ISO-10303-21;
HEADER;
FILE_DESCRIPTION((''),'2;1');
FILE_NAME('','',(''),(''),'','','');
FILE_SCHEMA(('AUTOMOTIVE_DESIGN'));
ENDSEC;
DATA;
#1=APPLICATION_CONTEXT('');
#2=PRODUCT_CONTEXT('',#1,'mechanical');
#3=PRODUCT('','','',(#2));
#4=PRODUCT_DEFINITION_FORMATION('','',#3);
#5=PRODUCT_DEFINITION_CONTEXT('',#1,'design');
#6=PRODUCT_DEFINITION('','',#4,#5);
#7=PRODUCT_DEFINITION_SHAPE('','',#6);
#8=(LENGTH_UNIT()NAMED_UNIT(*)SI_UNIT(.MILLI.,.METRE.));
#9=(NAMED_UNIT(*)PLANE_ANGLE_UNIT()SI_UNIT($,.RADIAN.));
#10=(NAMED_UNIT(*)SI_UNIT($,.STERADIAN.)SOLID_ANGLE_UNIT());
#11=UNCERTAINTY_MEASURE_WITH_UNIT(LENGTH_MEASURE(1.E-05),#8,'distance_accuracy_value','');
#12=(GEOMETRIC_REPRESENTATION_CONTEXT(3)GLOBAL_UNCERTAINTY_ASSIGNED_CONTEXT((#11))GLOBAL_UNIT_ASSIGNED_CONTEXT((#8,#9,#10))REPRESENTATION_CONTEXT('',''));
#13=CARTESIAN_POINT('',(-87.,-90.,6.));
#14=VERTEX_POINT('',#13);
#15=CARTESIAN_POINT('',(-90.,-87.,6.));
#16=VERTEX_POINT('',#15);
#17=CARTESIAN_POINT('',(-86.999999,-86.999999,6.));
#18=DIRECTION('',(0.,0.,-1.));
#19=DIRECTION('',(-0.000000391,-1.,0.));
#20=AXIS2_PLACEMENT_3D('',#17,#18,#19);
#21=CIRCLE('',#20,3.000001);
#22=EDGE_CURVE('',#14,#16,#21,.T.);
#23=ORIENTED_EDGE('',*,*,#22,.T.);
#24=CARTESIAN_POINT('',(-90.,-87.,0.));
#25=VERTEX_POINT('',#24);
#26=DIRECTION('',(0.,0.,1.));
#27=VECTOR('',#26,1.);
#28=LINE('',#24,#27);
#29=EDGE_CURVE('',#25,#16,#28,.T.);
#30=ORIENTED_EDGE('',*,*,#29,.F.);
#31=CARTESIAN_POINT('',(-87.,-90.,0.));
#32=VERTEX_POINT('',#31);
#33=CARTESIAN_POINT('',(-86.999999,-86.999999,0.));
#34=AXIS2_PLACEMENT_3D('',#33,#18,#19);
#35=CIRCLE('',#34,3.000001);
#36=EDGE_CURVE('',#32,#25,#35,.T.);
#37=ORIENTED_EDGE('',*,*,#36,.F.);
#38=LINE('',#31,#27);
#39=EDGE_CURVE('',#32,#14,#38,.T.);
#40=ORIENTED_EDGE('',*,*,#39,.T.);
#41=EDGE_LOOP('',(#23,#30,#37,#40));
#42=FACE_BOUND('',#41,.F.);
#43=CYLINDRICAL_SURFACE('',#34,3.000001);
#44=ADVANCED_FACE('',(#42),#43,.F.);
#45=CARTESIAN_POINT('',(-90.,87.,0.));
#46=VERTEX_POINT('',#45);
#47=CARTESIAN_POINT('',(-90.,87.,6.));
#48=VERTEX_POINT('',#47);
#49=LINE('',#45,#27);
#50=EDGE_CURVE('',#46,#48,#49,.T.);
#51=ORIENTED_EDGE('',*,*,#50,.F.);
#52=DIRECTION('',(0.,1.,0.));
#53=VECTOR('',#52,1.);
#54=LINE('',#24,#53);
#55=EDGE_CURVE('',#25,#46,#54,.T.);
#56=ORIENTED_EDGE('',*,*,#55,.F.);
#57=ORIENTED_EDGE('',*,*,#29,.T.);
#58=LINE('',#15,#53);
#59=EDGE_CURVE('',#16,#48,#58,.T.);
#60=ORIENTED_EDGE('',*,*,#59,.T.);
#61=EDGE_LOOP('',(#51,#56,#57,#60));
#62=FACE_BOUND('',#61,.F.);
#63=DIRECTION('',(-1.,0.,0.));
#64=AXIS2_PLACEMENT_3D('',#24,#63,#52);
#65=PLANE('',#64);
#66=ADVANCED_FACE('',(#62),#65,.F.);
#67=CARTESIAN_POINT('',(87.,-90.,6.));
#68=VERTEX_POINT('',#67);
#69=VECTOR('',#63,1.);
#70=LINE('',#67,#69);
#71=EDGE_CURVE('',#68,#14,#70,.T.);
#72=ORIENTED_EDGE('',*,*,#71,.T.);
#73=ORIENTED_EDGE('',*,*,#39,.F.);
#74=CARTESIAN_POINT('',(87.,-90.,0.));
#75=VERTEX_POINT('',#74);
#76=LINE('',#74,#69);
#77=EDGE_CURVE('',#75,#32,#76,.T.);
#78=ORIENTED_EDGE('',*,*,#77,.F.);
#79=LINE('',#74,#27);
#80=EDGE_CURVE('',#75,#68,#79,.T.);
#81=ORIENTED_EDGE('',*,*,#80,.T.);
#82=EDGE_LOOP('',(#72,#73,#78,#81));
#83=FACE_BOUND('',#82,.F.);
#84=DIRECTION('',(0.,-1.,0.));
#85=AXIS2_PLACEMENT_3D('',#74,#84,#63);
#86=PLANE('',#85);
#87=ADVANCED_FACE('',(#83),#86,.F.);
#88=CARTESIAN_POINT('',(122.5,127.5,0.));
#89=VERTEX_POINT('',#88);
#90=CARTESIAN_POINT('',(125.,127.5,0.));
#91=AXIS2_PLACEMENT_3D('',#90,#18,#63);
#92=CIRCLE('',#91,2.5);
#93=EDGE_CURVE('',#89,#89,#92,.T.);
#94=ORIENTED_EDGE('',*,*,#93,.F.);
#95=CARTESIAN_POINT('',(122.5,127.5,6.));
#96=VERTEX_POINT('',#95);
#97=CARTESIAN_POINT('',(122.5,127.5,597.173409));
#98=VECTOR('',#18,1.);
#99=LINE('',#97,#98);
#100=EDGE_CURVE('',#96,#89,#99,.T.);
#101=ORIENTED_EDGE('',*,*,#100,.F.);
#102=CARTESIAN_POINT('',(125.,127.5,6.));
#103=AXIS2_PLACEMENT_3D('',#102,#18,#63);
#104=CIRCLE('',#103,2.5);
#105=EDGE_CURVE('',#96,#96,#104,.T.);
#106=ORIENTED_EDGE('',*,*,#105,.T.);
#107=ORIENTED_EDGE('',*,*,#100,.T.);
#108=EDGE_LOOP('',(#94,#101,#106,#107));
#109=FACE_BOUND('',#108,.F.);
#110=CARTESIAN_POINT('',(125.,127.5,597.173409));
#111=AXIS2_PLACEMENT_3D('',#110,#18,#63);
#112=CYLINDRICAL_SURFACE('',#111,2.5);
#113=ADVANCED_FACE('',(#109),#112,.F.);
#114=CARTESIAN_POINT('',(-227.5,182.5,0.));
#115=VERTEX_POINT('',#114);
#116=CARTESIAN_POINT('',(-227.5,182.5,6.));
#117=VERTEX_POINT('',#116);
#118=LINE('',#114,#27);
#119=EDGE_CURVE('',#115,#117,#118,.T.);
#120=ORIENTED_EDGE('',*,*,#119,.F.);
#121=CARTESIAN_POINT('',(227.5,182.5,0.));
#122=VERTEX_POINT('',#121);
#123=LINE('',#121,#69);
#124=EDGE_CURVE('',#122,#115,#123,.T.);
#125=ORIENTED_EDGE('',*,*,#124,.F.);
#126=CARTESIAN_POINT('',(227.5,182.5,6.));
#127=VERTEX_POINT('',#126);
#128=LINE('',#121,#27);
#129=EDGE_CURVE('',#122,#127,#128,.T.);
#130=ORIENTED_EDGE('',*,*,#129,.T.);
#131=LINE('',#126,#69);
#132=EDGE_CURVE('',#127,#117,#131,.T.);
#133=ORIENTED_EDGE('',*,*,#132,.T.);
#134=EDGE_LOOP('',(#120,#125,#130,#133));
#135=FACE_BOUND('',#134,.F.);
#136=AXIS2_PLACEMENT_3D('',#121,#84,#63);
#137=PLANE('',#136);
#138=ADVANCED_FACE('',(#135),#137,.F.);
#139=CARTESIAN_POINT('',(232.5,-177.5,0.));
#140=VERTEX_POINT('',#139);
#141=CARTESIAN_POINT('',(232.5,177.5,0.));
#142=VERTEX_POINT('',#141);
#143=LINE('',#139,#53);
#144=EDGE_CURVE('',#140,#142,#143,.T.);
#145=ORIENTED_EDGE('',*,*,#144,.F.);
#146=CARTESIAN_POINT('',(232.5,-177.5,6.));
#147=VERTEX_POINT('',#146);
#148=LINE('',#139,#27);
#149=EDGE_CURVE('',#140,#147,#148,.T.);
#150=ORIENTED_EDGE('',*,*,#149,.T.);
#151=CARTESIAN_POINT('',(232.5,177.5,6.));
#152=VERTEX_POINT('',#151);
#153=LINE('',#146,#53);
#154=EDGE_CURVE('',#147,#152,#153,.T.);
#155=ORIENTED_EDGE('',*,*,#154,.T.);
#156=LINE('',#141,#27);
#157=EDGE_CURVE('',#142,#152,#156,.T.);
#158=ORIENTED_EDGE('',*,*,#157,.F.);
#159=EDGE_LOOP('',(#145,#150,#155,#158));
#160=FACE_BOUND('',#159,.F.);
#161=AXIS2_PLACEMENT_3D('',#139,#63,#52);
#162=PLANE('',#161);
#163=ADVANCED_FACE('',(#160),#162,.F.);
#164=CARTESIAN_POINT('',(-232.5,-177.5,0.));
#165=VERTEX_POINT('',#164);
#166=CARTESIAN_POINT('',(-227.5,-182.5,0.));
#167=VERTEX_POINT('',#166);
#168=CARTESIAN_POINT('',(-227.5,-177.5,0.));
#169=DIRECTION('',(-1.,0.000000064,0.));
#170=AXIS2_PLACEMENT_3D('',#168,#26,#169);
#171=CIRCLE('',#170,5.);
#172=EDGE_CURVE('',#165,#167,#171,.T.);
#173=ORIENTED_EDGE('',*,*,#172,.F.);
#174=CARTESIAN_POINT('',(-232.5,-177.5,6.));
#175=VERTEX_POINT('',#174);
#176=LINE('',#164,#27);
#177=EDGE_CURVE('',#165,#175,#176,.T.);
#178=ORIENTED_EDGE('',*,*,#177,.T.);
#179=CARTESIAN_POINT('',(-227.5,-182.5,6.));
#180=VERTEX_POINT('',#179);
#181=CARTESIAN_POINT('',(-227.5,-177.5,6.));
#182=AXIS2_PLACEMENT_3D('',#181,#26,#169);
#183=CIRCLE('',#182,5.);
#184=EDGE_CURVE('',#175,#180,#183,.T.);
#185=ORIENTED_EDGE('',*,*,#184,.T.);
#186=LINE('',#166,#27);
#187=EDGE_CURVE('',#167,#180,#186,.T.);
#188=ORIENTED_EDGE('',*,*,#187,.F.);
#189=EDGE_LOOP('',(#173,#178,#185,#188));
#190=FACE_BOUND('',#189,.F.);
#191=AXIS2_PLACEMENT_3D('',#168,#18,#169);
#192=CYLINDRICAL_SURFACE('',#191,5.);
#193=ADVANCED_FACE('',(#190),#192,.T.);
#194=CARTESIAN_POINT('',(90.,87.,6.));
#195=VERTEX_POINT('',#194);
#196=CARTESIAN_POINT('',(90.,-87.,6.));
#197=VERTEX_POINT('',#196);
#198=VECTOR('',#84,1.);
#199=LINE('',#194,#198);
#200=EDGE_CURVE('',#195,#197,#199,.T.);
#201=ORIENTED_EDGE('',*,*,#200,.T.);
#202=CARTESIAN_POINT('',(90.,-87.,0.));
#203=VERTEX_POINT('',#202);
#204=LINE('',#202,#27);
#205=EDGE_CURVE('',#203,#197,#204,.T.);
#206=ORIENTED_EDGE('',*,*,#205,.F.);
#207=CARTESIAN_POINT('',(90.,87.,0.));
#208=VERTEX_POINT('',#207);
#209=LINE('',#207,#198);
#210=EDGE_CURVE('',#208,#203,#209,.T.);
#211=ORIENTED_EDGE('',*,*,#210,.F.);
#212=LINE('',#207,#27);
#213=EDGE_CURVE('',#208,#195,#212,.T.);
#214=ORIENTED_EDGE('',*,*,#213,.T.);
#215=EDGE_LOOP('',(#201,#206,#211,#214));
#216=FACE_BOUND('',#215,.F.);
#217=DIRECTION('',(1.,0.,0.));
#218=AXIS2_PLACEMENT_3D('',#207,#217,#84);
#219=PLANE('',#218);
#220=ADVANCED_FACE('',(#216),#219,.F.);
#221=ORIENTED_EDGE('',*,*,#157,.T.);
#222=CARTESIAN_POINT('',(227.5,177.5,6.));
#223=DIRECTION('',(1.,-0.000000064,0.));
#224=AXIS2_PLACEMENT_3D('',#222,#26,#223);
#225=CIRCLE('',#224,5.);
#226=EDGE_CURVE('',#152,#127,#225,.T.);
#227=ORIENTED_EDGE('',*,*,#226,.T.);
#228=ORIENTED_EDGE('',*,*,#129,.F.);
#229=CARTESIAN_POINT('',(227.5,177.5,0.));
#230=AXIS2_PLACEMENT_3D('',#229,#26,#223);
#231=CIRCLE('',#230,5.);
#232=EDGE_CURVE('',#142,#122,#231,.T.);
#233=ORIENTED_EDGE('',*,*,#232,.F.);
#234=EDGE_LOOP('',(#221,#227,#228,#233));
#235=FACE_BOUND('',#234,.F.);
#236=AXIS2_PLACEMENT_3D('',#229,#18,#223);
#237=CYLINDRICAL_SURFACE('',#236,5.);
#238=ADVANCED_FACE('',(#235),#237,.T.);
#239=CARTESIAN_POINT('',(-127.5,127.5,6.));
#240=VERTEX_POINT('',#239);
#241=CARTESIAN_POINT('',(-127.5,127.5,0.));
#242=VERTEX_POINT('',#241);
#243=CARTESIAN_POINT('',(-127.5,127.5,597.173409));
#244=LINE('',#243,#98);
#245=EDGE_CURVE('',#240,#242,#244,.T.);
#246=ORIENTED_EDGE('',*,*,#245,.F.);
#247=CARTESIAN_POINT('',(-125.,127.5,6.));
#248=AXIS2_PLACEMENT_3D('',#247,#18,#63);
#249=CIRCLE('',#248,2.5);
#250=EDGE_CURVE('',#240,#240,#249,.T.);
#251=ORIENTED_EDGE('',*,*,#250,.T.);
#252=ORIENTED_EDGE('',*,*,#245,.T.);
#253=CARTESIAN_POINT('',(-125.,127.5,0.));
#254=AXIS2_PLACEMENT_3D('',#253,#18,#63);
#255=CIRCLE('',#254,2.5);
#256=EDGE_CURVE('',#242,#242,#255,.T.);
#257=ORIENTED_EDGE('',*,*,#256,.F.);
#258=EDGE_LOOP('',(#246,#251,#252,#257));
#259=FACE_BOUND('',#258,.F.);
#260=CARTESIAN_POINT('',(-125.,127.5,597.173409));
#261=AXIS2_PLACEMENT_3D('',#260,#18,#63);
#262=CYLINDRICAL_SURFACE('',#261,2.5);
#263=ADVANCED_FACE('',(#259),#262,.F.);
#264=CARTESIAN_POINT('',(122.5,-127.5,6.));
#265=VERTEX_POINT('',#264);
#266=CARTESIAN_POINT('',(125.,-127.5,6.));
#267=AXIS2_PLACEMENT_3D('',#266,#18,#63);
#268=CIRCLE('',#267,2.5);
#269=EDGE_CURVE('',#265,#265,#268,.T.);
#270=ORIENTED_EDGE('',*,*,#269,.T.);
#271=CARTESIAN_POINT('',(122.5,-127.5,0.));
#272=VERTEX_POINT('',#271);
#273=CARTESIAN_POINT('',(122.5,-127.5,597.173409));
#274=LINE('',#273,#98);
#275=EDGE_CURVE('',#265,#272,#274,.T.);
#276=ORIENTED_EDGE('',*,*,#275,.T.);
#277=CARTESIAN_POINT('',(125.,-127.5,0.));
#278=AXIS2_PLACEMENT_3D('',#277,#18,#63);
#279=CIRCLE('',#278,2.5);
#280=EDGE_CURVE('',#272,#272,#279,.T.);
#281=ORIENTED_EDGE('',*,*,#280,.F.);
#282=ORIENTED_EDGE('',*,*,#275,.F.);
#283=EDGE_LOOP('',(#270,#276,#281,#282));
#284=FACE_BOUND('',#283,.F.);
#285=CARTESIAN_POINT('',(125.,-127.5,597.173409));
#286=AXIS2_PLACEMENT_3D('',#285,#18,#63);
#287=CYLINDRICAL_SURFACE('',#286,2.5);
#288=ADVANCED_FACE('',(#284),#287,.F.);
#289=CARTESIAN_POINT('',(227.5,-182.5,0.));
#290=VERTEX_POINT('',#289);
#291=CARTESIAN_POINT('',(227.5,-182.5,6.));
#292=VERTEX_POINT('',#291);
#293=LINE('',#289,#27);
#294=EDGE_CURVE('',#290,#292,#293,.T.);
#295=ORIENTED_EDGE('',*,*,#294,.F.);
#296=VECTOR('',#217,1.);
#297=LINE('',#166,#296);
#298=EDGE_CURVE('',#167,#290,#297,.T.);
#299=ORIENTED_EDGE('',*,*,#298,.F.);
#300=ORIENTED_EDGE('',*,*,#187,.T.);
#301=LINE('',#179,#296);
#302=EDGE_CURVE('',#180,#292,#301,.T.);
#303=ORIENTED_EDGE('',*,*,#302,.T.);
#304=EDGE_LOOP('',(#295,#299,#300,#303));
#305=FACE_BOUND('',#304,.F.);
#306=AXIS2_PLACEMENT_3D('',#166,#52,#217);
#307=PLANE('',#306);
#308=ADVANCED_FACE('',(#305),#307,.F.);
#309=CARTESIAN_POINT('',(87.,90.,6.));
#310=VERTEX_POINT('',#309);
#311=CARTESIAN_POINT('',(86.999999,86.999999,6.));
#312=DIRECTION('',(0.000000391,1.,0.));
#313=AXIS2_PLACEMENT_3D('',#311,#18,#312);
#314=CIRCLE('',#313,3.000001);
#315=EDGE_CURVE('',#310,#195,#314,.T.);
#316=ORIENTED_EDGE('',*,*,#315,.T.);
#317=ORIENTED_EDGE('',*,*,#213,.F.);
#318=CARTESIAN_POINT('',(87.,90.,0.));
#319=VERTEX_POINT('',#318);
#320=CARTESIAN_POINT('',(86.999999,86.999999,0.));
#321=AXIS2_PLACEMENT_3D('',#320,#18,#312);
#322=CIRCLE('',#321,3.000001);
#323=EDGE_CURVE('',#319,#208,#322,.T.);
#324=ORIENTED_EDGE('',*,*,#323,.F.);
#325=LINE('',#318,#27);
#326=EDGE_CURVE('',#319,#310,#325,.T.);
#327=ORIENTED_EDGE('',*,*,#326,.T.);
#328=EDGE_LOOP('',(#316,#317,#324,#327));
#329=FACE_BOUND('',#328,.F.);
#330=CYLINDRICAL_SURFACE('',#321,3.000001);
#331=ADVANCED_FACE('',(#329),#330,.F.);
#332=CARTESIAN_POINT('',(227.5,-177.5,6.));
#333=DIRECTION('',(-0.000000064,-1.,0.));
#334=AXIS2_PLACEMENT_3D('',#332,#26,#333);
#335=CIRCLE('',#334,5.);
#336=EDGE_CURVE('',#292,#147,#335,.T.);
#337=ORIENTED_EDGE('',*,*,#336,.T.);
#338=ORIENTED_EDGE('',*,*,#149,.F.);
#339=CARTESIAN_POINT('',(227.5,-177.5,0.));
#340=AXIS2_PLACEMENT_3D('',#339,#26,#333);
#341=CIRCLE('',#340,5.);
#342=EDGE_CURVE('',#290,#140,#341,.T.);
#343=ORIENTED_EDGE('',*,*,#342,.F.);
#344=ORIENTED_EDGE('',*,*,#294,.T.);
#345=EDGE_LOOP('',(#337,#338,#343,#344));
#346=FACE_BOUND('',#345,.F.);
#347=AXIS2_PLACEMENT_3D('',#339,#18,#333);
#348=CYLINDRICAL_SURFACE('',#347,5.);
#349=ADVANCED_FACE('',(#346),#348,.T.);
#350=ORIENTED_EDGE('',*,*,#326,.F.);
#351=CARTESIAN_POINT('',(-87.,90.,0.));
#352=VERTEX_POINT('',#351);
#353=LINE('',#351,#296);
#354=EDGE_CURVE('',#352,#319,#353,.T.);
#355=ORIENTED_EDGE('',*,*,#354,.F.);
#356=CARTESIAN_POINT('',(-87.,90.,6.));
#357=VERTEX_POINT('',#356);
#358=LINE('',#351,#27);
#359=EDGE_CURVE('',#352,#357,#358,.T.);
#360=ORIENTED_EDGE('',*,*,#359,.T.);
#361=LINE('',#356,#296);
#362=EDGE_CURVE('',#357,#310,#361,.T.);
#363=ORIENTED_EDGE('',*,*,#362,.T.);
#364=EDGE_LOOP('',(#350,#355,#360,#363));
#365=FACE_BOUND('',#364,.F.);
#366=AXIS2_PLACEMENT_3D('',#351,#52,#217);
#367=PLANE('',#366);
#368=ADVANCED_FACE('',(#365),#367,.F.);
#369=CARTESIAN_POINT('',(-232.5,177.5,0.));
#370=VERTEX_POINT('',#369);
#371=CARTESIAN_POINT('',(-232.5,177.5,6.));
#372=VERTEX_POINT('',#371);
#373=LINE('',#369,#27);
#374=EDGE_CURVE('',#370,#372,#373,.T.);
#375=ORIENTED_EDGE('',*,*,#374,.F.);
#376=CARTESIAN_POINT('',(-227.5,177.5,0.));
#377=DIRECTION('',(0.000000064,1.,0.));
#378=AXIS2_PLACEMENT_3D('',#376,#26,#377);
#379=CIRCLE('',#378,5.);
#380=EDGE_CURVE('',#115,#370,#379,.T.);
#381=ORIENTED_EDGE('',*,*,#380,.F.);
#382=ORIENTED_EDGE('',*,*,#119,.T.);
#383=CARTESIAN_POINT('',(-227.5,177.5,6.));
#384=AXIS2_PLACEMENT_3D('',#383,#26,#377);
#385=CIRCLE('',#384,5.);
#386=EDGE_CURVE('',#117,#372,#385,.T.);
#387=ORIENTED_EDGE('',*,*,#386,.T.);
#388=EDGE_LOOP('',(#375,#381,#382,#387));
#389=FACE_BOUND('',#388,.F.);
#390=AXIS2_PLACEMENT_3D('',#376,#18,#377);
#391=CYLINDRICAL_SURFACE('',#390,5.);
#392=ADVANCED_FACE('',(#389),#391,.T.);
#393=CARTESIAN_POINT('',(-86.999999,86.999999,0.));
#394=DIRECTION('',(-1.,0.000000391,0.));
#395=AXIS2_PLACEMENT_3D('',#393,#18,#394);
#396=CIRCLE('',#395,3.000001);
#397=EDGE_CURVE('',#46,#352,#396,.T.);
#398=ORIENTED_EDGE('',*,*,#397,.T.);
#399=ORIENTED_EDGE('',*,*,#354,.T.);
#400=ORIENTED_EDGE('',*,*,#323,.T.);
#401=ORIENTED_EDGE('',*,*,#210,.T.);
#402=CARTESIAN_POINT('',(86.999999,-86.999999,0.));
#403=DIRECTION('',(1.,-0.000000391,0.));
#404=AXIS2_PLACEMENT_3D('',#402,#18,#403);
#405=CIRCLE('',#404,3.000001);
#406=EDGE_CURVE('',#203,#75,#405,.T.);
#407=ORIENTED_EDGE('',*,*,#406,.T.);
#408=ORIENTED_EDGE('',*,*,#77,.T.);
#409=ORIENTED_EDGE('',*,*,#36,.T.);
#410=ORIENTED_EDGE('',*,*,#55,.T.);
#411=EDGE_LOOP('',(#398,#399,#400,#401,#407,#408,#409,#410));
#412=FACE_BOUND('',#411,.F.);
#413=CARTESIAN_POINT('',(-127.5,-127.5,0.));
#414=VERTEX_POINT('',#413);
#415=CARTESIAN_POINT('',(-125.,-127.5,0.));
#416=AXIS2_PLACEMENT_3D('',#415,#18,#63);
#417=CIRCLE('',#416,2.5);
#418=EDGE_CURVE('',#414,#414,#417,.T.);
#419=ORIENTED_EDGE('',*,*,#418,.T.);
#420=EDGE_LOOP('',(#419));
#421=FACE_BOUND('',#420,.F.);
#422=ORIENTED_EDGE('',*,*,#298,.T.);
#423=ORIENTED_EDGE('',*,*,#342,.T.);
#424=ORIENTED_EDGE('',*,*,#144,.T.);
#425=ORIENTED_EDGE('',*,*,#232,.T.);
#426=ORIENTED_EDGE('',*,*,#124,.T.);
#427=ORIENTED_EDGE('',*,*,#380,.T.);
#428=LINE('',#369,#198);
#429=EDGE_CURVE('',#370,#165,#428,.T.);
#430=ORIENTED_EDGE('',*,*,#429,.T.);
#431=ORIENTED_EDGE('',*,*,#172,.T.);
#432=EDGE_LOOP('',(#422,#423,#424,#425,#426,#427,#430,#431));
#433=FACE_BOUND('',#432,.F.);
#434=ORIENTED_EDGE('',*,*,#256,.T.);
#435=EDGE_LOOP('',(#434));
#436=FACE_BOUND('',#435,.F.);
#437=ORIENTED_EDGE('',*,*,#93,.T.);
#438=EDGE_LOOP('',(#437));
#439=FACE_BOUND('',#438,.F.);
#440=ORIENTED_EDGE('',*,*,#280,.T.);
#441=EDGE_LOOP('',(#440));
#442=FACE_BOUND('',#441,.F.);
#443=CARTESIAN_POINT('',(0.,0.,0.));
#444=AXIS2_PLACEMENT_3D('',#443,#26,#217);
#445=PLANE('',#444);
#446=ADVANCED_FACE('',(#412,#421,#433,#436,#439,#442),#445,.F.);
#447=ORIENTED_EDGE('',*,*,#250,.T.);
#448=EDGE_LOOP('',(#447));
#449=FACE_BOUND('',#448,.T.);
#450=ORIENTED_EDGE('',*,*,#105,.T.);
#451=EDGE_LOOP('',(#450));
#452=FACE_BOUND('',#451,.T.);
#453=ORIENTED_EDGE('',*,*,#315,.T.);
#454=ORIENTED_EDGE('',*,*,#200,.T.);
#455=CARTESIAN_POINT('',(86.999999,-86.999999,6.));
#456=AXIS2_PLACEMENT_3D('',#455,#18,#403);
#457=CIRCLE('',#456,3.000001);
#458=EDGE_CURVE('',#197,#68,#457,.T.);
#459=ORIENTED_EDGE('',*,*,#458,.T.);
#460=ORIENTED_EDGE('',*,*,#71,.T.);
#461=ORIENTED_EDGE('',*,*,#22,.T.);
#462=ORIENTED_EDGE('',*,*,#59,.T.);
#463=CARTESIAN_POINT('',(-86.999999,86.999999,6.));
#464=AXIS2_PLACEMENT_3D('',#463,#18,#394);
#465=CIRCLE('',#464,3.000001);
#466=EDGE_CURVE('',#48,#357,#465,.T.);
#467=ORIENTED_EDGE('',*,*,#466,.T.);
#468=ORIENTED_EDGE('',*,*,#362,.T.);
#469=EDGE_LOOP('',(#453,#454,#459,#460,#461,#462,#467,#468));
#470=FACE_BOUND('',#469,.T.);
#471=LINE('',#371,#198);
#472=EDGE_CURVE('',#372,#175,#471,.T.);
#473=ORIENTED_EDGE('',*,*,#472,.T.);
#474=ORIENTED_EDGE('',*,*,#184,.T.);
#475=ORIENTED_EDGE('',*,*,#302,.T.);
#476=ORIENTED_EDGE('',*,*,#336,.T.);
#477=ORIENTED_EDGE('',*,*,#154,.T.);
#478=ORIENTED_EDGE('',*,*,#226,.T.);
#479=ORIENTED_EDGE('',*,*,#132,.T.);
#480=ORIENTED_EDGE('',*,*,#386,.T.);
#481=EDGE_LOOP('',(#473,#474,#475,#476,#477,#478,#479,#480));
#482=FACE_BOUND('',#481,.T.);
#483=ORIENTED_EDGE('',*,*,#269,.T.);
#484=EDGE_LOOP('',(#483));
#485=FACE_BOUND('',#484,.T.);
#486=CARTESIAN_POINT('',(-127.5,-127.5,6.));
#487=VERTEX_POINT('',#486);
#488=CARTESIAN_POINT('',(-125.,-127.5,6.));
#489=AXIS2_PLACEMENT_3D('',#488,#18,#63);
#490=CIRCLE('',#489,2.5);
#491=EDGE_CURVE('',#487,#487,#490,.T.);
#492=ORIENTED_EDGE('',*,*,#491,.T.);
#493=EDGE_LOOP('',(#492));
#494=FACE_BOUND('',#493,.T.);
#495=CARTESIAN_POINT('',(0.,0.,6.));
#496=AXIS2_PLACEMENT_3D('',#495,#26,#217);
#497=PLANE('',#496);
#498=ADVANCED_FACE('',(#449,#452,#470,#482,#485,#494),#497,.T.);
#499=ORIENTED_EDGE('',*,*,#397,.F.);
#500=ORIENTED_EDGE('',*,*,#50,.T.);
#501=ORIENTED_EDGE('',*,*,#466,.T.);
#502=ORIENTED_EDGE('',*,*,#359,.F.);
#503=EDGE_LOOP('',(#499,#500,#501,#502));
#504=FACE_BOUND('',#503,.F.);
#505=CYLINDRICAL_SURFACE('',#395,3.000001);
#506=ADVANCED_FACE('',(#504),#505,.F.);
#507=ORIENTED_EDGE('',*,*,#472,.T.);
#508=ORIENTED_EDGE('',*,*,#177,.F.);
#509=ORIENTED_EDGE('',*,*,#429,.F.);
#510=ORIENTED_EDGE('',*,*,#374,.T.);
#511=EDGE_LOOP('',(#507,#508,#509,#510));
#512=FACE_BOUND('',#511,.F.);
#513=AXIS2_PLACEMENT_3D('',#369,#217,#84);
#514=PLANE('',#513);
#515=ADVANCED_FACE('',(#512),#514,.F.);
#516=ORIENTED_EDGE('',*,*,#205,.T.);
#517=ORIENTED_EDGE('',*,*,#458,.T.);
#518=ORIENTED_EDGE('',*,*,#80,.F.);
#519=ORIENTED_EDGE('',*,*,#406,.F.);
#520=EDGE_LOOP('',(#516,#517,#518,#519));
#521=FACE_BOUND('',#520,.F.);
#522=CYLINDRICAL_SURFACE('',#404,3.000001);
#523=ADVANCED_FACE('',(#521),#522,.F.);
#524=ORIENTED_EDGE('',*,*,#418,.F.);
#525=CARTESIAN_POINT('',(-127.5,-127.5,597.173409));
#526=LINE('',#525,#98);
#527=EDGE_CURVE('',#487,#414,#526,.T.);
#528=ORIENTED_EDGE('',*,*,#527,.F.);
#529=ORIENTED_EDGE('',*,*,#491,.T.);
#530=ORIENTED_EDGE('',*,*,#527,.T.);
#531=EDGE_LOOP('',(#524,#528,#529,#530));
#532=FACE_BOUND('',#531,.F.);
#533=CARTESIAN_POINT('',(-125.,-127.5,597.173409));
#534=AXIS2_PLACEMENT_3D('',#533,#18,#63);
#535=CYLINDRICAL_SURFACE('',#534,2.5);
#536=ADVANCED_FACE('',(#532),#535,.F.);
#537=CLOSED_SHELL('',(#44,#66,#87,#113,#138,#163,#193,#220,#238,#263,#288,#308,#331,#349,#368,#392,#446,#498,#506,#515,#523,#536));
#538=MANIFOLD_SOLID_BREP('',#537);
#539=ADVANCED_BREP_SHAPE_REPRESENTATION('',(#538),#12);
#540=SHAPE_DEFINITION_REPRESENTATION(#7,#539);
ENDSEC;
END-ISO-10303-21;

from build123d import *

# Parameters (mm, degrees)
F1_DEPTH = 6
F3_D     = 5


with BuildPart() as f1:
    # F0 (on Top) → F1 (new body)
    with BuildSketch(Plane.XY):
        with BuildLine():
            ThreePointArc((-232.5, -177.5), (-231.035534, -181.035534), (-227.5, -182.5))
            Line((-227.5, -182.5), (227.5, -182.5))
            ThreePointArc((227.5, -182.5), (231.035534, -181.035534), (232.5, -177.5))
            Line((232.5, -177.5), (232.5, 177.5))
            ThreePointArc((232.5, 177.5), (231.035534, 181.035534), (227.5, 182.5))
            Line((227.5, 182.5), (-227.5, 182.5))
            ThreePointArc((-227.5, 182.5), (-231.035534, 181.035534), (-232.5, 177.5))
            Line((-232.5, 177.5), (-232.5, -177.5))
        make_face()
        with BuildLine():
            Line((87, -90), (-87, -90))
            ThreePointArc((-87, -90), (-89.12132, -89.12132), (-90, -87))
            Line((-90, -87), (-90, 87))
            ThreePointArc((-90, 87), (-89.12132, 89.12132), (-87, 90))
            Line((-87, 90), (87, 90))
            ThreePointArc((87, 90), (89.12132, 89.12132), (90, 87))
            Line((90, 87), (90, -87))
            ThreePointArc((90, -87), (89.12132, -89.12132), (87, -90))
        make_face(mode=Mode.SUBTRACT)
    extrude(amount=F1_DEPTH)

    # F3 (through all)
    with Locations(Plane.XY.offset(6)):
        with Locations((125, -127.5), (-125, -127.5), (125, 127.5), (-125, 127.5)):
            Hole(F3_D / 2)


solid = f1.part
